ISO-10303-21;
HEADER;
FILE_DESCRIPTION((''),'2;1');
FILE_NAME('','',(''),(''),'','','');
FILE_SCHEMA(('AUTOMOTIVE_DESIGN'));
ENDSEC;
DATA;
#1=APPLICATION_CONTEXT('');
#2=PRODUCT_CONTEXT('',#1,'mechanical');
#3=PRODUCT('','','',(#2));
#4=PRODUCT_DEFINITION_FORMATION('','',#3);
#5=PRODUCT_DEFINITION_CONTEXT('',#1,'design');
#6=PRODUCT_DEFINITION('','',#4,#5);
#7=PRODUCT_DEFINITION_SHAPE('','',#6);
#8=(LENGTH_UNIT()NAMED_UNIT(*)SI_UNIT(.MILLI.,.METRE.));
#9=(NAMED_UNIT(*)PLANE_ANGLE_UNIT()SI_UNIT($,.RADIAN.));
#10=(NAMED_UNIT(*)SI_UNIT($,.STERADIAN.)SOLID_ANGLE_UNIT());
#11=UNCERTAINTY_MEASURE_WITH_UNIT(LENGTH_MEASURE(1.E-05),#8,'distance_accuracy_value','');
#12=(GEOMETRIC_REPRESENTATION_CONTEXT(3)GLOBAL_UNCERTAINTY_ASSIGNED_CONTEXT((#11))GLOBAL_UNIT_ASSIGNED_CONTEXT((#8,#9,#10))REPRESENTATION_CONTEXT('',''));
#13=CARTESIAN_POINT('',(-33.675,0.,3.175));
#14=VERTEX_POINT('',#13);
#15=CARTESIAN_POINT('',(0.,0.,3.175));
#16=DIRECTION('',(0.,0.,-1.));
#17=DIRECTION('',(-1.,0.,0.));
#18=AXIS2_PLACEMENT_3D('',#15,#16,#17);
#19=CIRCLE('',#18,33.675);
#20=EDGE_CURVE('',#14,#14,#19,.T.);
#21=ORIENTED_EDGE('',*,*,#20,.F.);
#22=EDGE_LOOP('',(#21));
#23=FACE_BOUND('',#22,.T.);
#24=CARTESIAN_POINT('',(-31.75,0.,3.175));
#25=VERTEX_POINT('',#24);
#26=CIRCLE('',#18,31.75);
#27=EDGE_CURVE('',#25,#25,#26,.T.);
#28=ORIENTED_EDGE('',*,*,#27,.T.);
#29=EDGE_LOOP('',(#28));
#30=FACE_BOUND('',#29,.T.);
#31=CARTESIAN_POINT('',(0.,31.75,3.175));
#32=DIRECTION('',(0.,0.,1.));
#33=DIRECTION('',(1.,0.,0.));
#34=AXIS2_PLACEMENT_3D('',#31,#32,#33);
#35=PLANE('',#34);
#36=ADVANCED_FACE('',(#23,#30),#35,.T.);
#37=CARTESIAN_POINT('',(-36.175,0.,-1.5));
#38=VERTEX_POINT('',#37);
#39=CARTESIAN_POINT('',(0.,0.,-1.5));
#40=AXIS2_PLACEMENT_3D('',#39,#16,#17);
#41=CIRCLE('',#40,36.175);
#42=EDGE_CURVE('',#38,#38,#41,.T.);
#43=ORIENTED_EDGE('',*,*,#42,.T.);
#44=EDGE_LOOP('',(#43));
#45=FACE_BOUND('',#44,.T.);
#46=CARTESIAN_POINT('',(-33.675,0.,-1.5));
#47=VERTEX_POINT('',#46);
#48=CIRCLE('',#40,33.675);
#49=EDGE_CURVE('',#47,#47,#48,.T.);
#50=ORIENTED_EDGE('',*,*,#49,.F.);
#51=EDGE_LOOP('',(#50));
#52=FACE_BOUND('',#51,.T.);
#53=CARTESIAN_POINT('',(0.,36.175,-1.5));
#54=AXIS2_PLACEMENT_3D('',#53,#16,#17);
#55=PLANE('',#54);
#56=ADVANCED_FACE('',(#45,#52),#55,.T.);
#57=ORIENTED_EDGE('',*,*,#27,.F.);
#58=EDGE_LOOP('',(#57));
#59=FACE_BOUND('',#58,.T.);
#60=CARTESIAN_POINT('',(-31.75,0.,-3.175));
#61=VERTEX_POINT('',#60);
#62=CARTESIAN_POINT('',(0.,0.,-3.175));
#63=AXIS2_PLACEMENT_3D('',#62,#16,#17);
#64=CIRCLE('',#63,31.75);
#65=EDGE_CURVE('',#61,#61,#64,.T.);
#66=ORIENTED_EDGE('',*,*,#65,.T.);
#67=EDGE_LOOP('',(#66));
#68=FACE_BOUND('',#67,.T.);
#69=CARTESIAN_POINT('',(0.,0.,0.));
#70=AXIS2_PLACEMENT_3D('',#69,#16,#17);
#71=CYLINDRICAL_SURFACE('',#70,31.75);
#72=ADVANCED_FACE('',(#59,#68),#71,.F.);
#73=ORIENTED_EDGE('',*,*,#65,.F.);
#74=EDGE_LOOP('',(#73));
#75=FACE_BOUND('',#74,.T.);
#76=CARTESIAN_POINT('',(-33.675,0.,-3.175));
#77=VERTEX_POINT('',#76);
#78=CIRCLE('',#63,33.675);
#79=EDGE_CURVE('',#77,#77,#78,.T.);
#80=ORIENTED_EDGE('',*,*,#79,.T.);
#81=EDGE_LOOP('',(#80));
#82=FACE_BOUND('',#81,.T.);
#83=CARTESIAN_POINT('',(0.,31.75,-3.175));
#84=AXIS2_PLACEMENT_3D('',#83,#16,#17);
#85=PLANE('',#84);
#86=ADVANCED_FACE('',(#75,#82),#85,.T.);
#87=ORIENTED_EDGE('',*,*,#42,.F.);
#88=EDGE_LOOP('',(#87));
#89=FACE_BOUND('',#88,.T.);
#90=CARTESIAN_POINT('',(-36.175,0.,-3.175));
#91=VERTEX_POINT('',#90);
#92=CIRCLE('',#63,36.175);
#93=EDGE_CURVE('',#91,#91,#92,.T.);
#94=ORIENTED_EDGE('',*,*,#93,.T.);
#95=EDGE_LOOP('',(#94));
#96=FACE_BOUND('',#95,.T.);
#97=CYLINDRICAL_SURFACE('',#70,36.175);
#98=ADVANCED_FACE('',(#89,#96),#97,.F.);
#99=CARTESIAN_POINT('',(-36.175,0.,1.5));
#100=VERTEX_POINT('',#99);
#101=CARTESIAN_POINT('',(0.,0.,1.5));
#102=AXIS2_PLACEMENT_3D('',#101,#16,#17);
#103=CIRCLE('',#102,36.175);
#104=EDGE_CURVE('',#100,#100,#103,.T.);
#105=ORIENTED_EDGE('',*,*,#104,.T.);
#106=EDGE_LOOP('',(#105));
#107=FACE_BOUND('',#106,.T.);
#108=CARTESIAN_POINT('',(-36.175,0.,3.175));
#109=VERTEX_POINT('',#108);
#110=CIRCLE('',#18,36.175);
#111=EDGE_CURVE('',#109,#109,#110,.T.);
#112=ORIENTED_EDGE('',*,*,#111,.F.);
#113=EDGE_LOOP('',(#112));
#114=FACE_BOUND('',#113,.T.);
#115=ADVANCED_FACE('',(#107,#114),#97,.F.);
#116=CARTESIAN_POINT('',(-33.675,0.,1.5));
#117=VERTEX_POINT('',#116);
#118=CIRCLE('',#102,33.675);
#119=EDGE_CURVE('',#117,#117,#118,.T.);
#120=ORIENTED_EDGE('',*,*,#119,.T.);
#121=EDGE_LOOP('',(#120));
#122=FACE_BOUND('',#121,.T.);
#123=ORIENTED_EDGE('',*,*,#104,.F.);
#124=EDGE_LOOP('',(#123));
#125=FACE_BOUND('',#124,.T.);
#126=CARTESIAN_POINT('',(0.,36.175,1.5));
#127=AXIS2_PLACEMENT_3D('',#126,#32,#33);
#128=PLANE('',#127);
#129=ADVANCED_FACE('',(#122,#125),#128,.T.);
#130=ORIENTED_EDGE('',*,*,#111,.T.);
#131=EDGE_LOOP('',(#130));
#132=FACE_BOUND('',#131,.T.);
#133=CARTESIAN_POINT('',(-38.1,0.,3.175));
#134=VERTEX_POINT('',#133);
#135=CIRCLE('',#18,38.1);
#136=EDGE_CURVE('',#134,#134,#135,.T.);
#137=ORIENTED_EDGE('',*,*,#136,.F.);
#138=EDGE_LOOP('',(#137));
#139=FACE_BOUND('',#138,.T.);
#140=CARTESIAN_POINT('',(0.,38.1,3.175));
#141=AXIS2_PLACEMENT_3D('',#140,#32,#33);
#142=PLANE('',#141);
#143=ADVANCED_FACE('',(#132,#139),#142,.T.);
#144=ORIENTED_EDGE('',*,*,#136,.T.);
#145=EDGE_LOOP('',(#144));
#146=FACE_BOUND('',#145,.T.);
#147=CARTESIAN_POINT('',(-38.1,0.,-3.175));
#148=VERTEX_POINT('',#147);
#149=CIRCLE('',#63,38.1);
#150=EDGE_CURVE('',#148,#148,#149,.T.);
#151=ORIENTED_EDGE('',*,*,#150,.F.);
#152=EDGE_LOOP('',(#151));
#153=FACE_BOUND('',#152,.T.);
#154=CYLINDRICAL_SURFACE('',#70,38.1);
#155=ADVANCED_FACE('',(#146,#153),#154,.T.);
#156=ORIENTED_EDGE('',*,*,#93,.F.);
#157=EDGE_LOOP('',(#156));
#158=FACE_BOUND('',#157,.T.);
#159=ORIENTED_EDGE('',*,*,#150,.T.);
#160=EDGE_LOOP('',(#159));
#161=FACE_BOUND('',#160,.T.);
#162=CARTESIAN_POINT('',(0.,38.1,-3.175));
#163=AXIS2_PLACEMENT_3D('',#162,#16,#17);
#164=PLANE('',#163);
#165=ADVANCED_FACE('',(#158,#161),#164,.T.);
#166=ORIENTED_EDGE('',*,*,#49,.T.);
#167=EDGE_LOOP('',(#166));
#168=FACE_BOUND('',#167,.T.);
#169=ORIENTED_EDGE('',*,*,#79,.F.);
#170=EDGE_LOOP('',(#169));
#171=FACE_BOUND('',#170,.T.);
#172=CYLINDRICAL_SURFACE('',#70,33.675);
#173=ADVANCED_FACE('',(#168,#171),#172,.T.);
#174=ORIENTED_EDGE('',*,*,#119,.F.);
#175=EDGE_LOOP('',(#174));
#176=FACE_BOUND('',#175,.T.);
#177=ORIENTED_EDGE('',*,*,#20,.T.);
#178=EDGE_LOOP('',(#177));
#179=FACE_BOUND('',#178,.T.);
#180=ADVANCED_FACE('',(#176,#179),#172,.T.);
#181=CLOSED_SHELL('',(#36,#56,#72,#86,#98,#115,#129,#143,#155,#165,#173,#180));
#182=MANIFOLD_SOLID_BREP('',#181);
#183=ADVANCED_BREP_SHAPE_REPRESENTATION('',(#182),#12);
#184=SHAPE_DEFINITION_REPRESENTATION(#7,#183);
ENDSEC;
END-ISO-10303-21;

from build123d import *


with BuildPart() as part:
    # 草图1 → 旋转1 (revolve)
    with BuildSketch(Plane(origin=(0, 0, 0), x_dir=(0, 0, -1), z_dir=(1, 0, 0)), mode=Mode.PRIVATE) as revolve_1_sk:
        Polygon((-3.175, 38.1), (3.175, 38.1), (3.175, 36.175), (1.5, 36.175), (1.5, 33.675), (3.175, 33.675), (3.175, 31.75), (-3.175, 31.75), (-3.175, 33.675), (-1.5, 33.675), (-1.5, 36.175), (-3.175, 36.175), align=None)
    revolve(revolve_1_sk.sketch.rotate(Axis((0, 0, 0), (0, 0, 1)), 90), axis=Axis((0, 0, 0), (0, 0, 1)))


solid = part.part
